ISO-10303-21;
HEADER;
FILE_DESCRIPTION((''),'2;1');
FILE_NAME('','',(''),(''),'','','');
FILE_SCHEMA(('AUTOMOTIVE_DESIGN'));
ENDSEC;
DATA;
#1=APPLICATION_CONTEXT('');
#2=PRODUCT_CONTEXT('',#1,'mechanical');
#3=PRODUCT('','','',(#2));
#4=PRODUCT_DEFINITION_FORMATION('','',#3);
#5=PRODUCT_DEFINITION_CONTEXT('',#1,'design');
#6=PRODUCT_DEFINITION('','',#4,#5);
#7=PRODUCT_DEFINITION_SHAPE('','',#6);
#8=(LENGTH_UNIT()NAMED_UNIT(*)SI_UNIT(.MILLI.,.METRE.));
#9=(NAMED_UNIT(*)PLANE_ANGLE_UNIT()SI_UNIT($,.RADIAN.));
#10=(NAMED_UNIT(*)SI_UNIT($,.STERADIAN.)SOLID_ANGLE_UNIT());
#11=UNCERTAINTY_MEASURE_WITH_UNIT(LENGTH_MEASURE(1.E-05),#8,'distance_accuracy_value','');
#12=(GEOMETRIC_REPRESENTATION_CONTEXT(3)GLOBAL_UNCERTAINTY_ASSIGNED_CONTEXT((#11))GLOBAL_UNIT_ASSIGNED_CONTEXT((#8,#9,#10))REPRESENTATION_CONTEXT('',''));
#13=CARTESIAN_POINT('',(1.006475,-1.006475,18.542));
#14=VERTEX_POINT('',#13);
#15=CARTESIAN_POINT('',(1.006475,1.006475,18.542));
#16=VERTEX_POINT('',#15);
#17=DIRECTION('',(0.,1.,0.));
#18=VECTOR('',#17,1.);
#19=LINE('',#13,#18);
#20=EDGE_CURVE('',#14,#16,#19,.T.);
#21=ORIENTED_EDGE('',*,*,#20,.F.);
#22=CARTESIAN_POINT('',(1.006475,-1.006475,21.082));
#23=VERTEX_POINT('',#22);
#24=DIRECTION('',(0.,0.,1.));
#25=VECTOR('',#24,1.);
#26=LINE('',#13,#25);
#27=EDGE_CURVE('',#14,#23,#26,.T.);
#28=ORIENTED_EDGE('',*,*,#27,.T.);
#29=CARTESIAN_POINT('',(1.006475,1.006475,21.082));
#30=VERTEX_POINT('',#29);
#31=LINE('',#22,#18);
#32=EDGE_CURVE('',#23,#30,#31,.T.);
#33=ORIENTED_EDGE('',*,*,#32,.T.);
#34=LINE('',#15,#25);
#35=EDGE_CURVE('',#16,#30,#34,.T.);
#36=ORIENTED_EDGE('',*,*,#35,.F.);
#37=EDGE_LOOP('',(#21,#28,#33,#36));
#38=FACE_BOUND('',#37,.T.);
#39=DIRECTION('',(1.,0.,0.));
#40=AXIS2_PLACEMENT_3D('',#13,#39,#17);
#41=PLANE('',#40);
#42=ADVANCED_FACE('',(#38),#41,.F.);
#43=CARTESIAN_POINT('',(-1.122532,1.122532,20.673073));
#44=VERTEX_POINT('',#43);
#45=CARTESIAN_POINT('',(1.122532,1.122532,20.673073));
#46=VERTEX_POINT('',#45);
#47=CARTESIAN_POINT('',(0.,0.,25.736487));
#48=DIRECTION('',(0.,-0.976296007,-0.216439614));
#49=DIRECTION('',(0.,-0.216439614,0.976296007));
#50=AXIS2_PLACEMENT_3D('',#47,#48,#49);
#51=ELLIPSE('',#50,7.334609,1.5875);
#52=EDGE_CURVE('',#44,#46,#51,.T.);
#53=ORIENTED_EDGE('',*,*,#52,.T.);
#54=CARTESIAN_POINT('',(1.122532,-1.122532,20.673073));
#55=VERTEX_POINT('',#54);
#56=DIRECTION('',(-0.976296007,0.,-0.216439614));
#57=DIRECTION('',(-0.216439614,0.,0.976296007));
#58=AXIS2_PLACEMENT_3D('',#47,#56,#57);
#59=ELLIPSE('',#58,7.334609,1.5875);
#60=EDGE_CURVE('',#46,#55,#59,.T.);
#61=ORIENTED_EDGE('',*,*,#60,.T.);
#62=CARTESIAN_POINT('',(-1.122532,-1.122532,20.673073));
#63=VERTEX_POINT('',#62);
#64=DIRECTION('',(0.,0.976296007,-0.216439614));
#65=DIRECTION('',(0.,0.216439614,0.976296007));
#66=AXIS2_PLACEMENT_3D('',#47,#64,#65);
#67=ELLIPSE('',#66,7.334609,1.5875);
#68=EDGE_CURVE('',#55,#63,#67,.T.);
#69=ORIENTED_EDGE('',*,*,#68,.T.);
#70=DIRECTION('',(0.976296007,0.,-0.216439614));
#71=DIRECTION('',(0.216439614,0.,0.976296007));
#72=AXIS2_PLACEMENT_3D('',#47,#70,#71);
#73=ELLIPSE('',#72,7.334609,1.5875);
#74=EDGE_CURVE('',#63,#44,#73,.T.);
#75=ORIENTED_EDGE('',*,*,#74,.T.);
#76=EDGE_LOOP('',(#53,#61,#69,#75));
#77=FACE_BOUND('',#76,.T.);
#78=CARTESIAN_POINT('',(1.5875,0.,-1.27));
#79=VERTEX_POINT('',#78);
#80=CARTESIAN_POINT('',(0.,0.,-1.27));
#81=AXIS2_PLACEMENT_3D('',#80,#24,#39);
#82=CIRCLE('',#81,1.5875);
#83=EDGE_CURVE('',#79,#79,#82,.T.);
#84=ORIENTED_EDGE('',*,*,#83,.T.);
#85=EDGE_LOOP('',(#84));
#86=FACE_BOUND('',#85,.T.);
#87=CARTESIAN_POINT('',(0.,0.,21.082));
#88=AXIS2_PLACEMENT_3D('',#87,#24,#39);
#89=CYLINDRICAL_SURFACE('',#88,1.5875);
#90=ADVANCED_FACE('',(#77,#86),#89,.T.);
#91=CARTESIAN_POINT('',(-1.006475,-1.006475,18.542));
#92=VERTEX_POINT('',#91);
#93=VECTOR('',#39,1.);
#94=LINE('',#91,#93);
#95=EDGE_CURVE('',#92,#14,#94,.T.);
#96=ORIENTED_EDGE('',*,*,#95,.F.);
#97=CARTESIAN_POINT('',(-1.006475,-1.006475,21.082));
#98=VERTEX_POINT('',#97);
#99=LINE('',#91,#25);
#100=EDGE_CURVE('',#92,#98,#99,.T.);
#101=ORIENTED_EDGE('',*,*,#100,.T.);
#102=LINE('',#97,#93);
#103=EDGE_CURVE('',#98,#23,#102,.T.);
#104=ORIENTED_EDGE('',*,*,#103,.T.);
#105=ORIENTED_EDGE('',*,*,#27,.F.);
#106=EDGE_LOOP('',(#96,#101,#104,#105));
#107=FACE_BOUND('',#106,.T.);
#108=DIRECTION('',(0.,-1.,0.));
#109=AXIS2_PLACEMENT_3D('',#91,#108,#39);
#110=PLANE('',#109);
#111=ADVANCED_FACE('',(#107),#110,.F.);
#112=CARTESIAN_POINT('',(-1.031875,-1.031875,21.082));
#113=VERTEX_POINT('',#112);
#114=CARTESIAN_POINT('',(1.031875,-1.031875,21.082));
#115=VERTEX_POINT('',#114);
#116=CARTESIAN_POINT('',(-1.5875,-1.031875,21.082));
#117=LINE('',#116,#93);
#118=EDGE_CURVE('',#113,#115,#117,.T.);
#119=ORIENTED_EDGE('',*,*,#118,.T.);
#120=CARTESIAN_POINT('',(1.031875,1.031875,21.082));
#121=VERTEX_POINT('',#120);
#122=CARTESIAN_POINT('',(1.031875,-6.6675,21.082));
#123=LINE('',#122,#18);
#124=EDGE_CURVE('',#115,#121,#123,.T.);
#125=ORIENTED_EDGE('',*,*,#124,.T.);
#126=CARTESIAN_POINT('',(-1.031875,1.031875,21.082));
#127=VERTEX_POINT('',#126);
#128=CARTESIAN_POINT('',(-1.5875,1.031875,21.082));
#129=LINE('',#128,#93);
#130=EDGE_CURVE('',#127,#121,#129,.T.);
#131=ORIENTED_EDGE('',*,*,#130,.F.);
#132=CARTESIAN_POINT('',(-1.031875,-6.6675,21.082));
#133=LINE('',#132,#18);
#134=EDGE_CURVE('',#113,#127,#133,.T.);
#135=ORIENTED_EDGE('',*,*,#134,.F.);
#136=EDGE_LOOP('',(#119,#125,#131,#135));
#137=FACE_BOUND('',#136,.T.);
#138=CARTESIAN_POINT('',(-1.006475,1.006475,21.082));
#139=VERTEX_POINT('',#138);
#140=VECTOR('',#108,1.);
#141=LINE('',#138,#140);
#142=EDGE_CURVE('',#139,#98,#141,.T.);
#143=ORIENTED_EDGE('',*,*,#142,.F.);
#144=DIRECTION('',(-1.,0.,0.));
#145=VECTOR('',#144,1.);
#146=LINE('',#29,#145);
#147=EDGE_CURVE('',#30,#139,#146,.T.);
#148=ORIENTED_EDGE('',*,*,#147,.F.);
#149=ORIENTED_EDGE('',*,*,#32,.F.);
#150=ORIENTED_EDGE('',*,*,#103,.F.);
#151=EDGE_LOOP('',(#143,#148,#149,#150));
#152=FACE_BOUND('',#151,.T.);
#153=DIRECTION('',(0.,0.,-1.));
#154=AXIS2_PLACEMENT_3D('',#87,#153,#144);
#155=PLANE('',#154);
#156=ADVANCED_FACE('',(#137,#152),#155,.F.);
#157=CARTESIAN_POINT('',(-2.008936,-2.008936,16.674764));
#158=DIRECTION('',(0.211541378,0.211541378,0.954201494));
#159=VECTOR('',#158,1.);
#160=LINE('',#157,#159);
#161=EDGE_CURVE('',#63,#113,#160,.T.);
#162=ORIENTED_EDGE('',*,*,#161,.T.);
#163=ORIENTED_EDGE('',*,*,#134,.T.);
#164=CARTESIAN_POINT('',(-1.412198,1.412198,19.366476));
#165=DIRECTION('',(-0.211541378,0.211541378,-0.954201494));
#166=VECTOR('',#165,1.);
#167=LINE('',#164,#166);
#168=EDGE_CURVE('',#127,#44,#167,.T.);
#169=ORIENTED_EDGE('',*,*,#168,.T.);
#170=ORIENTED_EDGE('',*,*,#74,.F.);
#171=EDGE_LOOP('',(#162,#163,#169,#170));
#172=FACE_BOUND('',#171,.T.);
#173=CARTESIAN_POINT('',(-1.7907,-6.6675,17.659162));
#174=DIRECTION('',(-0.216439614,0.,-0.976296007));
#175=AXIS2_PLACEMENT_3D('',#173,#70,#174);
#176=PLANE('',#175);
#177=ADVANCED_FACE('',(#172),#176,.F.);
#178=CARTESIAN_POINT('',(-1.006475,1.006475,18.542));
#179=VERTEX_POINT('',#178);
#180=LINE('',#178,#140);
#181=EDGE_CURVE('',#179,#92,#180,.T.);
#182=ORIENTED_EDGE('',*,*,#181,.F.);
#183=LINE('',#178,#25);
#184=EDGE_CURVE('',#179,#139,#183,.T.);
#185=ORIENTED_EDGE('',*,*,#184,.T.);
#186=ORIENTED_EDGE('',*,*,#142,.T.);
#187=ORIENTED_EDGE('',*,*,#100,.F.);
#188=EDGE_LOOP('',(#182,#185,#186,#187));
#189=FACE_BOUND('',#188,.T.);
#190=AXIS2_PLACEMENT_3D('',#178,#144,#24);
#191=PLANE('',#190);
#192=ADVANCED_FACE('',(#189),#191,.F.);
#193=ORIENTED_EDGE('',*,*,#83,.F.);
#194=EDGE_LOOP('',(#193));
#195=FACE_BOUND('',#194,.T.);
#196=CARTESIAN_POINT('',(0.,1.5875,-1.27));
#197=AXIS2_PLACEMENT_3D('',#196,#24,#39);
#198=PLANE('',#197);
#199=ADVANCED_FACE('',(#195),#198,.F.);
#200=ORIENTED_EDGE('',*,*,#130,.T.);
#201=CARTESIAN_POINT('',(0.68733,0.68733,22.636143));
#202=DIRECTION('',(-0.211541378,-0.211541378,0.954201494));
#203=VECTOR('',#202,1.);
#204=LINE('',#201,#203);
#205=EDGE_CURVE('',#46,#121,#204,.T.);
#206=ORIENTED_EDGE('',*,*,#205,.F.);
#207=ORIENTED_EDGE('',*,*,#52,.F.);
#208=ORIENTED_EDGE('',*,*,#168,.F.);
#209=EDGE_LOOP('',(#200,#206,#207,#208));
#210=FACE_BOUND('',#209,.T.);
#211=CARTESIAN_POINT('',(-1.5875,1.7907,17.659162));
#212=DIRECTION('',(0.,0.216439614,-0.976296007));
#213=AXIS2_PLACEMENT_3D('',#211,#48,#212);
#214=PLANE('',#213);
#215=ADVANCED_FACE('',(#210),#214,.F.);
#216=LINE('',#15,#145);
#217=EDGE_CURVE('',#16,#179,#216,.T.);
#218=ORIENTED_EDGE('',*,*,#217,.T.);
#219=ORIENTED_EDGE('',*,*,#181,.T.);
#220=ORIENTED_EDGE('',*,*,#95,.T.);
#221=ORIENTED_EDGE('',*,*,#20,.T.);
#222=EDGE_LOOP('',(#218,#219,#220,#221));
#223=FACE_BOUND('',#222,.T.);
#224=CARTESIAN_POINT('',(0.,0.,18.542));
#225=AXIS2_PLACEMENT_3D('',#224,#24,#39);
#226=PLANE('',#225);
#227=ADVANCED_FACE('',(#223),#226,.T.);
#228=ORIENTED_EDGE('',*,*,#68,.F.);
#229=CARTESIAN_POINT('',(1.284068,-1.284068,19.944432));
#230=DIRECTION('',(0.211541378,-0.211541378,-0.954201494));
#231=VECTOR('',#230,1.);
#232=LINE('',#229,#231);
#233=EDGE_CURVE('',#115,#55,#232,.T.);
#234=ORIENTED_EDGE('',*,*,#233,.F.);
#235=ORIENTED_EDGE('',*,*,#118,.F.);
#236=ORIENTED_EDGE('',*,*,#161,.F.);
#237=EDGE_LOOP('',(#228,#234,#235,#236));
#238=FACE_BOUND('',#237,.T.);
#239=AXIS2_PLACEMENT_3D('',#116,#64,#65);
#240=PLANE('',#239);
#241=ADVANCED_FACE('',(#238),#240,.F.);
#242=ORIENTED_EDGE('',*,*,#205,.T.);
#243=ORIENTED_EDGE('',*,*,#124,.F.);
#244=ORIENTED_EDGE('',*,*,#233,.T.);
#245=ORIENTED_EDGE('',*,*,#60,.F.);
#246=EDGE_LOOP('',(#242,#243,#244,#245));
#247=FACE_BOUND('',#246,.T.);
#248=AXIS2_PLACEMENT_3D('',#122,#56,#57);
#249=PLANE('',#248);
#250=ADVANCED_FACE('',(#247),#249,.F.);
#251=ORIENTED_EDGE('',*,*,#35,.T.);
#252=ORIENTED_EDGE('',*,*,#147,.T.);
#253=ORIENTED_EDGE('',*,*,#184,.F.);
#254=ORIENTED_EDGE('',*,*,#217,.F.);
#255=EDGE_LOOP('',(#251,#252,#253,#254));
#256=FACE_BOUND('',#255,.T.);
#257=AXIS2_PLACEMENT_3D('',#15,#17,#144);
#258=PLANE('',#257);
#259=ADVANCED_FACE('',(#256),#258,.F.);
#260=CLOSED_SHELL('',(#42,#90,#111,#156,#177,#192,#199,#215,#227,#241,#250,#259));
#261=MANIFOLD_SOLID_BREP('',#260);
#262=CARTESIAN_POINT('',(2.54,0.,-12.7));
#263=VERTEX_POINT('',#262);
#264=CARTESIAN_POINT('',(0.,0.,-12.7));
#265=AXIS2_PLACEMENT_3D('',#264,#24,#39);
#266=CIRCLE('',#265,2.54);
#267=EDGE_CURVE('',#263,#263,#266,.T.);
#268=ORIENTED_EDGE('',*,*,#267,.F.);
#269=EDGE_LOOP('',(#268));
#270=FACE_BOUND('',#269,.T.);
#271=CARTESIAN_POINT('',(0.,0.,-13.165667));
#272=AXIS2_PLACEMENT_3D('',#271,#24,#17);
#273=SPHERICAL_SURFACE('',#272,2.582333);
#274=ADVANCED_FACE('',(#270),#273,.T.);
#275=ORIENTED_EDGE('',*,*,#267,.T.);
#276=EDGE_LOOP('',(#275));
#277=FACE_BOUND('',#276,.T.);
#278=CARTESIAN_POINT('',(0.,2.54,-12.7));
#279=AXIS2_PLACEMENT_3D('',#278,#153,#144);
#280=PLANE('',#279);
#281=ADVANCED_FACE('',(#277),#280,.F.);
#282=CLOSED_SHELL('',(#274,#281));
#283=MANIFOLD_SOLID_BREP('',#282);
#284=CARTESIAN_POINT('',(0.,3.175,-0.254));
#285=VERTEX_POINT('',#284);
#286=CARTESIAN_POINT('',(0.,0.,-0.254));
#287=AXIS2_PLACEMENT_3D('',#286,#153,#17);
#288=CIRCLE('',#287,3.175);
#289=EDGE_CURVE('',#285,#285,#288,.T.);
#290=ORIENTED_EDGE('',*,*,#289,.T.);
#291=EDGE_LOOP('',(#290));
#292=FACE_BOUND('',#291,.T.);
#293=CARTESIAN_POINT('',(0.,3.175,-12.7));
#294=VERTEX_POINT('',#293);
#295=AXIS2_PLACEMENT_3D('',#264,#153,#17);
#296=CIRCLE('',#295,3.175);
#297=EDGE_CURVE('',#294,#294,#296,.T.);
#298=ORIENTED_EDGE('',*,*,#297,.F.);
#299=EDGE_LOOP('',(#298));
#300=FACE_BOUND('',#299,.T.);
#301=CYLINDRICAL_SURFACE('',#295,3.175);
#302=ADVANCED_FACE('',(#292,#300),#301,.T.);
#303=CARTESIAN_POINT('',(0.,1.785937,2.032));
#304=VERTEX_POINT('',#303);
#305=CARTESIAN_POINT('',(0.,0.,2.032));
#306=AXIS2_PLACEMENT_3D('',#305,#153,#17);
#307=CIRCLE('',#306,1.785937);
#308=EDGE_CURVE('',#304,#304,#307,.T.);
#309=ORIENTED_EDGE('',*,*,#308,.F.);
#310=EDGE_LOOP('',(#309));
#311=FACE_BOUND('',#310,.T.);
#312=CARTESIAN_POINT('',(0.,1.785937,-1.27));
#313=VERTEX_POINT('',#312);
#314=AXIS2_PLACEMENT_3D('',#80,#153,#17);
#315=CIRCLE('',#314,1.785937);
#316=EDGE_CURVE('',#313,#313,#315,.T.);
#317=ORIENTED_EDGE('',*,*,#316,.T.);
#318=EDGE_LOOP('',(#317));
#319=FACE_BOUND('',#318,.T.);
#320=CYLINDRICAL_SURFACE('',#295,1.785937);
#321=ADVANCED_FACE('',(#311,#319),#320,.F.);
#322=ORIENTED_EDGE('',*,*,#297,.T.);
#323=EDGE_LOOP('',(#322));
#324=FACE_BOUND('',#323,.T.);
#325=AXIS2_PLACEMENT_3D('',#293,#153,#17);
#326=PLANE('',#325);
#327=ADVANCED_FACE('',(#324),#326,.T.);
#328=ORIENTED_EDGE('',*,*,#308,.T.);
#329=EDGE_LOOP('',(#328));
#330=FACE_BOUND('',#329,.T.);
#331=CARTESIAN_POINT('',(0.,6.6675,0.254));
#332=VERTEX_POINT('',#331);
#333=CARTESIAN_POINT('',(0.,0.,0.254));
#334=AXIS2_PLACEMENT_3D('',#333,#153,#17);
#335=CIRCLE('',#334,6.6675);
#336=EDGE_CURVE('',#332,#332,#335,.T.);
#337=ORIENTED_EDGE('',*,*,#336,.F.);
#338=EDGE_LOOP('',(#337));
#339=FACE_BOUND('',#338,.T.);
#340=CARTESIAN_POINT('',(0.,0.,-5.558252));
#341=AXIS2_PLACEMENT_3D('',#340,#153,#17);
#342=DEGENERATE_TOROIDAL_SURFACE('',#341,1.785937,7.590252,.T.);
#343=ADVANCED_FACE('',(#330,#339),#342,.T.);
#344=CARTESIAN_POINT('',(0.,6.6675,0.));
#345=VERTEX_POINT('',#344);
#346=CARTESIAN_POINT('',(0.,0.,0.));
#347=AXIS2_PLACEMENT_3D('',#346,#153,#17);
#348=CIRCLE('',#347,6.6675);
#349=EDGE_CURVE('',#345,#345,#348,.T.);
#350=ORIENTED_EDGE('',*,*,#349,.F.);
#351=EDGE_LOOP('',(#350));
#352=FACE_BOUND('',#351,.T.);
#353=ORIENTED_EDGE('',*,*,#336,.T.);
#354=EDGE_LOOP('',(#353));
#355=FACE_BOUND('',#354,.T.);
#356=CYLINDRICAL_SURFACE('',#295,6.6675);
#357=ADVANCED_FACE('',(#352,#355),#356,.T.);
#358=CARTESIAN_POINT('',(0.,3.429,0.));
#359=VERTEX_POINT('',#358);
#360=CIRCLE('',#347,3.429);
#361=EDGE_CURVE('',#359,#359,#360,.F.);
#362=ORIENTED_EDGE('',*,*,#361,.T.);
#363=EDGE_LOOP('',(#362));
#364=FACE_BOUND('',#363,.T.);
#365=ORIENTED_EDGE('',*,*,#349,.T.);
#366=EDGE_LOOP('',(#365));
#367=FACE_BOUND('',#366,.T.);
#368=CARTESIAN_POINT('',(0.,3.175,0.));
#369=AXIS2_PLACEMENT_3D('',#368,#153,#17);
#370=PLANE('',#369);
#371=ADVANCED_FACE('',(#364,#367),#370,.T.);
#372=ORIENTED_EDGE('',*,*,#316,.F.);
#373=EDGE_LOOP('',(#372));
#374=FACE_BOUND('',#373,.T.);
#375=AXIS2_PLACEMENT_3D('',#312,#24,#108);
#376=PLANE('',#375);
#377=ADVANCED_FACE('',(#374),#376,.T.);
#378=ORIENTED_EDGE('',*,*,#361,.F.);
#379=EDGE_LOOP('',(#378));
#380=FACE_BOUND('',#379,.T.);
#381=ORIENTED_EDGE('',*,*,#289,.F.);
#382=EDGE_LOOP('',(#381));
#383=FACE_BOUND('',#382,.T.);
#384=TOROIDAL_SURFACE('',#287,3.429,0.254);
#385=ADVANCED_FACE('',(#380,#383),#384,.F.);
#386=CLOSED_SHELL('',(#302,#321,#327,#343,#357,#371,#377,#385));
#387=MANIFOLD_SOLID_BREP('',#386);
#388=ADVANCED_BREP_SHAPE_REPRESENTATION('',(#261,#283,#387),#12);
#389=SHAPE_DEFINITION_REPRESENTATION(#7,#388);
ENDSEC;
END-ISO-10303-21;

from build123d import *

# Parameters (mm, degrees)
SKETCH7_W          = 22.352
SKETCH7_H          = 1.5875
CUT_EXTRUDE1_DEPTH = 24.094627929
CIRPATTERN1_COUNT  = 2
CIRPATTERN1_ANGLE  = 90
SKETCH9_W          = 2.01295
SKETCH9_H          = 2.01295
CUT_EXTRUDE3_DEPTH = 2.54
FILLET2_R          = 0.254


with BuildPart() as part:
    # Sketch2 → Revolve1 (revolve)
    with BuildSketch(Plane(origin=(0, 0, 0), x_dir=(0, 0, -1), z_dir=(1, 0, 0))):
        with BuildLine():
            Line((12.7, 3.175), (0, 3.175))
            Line((0, 3.175), (0, 6.6675))
            Line((0, 6.6675), (-0.254, 6.6675))
            ThreePointArc((-0.254, 6.6675), (-1.573661586, 4.383577604), (-2.032, 1.7859375))
            Line((-2.032, 1.7859375), (0, 1.7859375))
            Line((0, 1.7859375), (1.27, 1.7859375))
            Line((1.27, 1.7859375), (1.27, 0))
            Line((1.27, 0), (12.7, 0))
            Line((12.7, 0), (12.7, 3.175))
        make_face()
    revolve(axis=Axis((0, 0, -12.7), (0, 0, 1)))

    # Fillet2
    fillet2_edges = [part.edges().sort_by_distance(p)[0] for p in [
        (0, -3.175, 0),
    ]]
    fillet(fillet2_edges, radius=FILLET2_R)


with BuildPart() as body_2:
    # Sketch7 → Revolve2 (revolve)
    with BuildSketch(Plane(origin=(0, 0, 0), x_dir=(0, 0, -1), z_dir=(1, 0, 0)), mode=Mode.PRIVATE) as revolve2_sk:
        with Locations((-9.906, 0.79375)):
            Rectangle(SKETCH7_W, SKETCH7_H)
    revolve(revolve2_sk.sketch.rotate(Axis((0, 0, 21.082), (0, 0, -1)), 90), axis=Axis((0, 0, 21.082), (0, 0, -1)))

    # Sketch3 → Cut-Extrude1 (cut, symmetric)
    with BuildSketch(Plane(origin=(0, 0, 0), x_dir=(1, 0, 0), z_dir=(0, 1, 0))):
        Polygon((-1.7907, -17.65916162), (-1.031875, -21.082), (1.031875, -21.082), (1.7907, -17.65916162), (1.7907, -21.59), (-1.7907, -21.59), align=None)
    cut_extrude1 = extrude(amount=CUT_EXTRUDE1_DEPTH, both=True, mode=Mode.SUBTRACT)

    # CirPattern1: Cut-Extrude1 ×2 about axis
    cirpattern1_axis = Axis((0, 0, 21.082), (0, 0, -1))
    for i in range(1, CIRPATTERN1_COUNT):
        add(cut_extrude1.rotate(cirpattern1_axis, i * CIRPATTERN1_ANGLE / (CIRPATTERN1_COUNT - 1)), mode=Mode.SUBTRACT)

    # Sketch9 → Cut-Extrude3 (cut)
    with BuildSketch(Plane.XY.offset(21.082)):
        Rectangle(SKETCH9_W, SKETCH9_H)
    extrude(amount=-CUT_EXTRUDE3_DEPTH, mode=Mode.SUBTRACT)


with BuildPart() as body_3:
    # Sketch8 → Revolve3 (revolve)
    with BuildSketch(Plane(origin=(0, 0, 0), x_dir=(0, 0, -1), z_dir=(1, 0, 0))):
        with BuildLine():
            Line((12.7, 2.54), (12.7, 0))
            Line((12.7, 0), (15.748, 0))
            ThreePointArc((15.748, 0), (14.818836181, 1.983803418), (12.7, 2.54))
        make_face()
    revolve(axis=Axis((0, 0, -12.7), (0, 0, -1)))


solid = Compound([part.part, body_2.part, body_3.part])
